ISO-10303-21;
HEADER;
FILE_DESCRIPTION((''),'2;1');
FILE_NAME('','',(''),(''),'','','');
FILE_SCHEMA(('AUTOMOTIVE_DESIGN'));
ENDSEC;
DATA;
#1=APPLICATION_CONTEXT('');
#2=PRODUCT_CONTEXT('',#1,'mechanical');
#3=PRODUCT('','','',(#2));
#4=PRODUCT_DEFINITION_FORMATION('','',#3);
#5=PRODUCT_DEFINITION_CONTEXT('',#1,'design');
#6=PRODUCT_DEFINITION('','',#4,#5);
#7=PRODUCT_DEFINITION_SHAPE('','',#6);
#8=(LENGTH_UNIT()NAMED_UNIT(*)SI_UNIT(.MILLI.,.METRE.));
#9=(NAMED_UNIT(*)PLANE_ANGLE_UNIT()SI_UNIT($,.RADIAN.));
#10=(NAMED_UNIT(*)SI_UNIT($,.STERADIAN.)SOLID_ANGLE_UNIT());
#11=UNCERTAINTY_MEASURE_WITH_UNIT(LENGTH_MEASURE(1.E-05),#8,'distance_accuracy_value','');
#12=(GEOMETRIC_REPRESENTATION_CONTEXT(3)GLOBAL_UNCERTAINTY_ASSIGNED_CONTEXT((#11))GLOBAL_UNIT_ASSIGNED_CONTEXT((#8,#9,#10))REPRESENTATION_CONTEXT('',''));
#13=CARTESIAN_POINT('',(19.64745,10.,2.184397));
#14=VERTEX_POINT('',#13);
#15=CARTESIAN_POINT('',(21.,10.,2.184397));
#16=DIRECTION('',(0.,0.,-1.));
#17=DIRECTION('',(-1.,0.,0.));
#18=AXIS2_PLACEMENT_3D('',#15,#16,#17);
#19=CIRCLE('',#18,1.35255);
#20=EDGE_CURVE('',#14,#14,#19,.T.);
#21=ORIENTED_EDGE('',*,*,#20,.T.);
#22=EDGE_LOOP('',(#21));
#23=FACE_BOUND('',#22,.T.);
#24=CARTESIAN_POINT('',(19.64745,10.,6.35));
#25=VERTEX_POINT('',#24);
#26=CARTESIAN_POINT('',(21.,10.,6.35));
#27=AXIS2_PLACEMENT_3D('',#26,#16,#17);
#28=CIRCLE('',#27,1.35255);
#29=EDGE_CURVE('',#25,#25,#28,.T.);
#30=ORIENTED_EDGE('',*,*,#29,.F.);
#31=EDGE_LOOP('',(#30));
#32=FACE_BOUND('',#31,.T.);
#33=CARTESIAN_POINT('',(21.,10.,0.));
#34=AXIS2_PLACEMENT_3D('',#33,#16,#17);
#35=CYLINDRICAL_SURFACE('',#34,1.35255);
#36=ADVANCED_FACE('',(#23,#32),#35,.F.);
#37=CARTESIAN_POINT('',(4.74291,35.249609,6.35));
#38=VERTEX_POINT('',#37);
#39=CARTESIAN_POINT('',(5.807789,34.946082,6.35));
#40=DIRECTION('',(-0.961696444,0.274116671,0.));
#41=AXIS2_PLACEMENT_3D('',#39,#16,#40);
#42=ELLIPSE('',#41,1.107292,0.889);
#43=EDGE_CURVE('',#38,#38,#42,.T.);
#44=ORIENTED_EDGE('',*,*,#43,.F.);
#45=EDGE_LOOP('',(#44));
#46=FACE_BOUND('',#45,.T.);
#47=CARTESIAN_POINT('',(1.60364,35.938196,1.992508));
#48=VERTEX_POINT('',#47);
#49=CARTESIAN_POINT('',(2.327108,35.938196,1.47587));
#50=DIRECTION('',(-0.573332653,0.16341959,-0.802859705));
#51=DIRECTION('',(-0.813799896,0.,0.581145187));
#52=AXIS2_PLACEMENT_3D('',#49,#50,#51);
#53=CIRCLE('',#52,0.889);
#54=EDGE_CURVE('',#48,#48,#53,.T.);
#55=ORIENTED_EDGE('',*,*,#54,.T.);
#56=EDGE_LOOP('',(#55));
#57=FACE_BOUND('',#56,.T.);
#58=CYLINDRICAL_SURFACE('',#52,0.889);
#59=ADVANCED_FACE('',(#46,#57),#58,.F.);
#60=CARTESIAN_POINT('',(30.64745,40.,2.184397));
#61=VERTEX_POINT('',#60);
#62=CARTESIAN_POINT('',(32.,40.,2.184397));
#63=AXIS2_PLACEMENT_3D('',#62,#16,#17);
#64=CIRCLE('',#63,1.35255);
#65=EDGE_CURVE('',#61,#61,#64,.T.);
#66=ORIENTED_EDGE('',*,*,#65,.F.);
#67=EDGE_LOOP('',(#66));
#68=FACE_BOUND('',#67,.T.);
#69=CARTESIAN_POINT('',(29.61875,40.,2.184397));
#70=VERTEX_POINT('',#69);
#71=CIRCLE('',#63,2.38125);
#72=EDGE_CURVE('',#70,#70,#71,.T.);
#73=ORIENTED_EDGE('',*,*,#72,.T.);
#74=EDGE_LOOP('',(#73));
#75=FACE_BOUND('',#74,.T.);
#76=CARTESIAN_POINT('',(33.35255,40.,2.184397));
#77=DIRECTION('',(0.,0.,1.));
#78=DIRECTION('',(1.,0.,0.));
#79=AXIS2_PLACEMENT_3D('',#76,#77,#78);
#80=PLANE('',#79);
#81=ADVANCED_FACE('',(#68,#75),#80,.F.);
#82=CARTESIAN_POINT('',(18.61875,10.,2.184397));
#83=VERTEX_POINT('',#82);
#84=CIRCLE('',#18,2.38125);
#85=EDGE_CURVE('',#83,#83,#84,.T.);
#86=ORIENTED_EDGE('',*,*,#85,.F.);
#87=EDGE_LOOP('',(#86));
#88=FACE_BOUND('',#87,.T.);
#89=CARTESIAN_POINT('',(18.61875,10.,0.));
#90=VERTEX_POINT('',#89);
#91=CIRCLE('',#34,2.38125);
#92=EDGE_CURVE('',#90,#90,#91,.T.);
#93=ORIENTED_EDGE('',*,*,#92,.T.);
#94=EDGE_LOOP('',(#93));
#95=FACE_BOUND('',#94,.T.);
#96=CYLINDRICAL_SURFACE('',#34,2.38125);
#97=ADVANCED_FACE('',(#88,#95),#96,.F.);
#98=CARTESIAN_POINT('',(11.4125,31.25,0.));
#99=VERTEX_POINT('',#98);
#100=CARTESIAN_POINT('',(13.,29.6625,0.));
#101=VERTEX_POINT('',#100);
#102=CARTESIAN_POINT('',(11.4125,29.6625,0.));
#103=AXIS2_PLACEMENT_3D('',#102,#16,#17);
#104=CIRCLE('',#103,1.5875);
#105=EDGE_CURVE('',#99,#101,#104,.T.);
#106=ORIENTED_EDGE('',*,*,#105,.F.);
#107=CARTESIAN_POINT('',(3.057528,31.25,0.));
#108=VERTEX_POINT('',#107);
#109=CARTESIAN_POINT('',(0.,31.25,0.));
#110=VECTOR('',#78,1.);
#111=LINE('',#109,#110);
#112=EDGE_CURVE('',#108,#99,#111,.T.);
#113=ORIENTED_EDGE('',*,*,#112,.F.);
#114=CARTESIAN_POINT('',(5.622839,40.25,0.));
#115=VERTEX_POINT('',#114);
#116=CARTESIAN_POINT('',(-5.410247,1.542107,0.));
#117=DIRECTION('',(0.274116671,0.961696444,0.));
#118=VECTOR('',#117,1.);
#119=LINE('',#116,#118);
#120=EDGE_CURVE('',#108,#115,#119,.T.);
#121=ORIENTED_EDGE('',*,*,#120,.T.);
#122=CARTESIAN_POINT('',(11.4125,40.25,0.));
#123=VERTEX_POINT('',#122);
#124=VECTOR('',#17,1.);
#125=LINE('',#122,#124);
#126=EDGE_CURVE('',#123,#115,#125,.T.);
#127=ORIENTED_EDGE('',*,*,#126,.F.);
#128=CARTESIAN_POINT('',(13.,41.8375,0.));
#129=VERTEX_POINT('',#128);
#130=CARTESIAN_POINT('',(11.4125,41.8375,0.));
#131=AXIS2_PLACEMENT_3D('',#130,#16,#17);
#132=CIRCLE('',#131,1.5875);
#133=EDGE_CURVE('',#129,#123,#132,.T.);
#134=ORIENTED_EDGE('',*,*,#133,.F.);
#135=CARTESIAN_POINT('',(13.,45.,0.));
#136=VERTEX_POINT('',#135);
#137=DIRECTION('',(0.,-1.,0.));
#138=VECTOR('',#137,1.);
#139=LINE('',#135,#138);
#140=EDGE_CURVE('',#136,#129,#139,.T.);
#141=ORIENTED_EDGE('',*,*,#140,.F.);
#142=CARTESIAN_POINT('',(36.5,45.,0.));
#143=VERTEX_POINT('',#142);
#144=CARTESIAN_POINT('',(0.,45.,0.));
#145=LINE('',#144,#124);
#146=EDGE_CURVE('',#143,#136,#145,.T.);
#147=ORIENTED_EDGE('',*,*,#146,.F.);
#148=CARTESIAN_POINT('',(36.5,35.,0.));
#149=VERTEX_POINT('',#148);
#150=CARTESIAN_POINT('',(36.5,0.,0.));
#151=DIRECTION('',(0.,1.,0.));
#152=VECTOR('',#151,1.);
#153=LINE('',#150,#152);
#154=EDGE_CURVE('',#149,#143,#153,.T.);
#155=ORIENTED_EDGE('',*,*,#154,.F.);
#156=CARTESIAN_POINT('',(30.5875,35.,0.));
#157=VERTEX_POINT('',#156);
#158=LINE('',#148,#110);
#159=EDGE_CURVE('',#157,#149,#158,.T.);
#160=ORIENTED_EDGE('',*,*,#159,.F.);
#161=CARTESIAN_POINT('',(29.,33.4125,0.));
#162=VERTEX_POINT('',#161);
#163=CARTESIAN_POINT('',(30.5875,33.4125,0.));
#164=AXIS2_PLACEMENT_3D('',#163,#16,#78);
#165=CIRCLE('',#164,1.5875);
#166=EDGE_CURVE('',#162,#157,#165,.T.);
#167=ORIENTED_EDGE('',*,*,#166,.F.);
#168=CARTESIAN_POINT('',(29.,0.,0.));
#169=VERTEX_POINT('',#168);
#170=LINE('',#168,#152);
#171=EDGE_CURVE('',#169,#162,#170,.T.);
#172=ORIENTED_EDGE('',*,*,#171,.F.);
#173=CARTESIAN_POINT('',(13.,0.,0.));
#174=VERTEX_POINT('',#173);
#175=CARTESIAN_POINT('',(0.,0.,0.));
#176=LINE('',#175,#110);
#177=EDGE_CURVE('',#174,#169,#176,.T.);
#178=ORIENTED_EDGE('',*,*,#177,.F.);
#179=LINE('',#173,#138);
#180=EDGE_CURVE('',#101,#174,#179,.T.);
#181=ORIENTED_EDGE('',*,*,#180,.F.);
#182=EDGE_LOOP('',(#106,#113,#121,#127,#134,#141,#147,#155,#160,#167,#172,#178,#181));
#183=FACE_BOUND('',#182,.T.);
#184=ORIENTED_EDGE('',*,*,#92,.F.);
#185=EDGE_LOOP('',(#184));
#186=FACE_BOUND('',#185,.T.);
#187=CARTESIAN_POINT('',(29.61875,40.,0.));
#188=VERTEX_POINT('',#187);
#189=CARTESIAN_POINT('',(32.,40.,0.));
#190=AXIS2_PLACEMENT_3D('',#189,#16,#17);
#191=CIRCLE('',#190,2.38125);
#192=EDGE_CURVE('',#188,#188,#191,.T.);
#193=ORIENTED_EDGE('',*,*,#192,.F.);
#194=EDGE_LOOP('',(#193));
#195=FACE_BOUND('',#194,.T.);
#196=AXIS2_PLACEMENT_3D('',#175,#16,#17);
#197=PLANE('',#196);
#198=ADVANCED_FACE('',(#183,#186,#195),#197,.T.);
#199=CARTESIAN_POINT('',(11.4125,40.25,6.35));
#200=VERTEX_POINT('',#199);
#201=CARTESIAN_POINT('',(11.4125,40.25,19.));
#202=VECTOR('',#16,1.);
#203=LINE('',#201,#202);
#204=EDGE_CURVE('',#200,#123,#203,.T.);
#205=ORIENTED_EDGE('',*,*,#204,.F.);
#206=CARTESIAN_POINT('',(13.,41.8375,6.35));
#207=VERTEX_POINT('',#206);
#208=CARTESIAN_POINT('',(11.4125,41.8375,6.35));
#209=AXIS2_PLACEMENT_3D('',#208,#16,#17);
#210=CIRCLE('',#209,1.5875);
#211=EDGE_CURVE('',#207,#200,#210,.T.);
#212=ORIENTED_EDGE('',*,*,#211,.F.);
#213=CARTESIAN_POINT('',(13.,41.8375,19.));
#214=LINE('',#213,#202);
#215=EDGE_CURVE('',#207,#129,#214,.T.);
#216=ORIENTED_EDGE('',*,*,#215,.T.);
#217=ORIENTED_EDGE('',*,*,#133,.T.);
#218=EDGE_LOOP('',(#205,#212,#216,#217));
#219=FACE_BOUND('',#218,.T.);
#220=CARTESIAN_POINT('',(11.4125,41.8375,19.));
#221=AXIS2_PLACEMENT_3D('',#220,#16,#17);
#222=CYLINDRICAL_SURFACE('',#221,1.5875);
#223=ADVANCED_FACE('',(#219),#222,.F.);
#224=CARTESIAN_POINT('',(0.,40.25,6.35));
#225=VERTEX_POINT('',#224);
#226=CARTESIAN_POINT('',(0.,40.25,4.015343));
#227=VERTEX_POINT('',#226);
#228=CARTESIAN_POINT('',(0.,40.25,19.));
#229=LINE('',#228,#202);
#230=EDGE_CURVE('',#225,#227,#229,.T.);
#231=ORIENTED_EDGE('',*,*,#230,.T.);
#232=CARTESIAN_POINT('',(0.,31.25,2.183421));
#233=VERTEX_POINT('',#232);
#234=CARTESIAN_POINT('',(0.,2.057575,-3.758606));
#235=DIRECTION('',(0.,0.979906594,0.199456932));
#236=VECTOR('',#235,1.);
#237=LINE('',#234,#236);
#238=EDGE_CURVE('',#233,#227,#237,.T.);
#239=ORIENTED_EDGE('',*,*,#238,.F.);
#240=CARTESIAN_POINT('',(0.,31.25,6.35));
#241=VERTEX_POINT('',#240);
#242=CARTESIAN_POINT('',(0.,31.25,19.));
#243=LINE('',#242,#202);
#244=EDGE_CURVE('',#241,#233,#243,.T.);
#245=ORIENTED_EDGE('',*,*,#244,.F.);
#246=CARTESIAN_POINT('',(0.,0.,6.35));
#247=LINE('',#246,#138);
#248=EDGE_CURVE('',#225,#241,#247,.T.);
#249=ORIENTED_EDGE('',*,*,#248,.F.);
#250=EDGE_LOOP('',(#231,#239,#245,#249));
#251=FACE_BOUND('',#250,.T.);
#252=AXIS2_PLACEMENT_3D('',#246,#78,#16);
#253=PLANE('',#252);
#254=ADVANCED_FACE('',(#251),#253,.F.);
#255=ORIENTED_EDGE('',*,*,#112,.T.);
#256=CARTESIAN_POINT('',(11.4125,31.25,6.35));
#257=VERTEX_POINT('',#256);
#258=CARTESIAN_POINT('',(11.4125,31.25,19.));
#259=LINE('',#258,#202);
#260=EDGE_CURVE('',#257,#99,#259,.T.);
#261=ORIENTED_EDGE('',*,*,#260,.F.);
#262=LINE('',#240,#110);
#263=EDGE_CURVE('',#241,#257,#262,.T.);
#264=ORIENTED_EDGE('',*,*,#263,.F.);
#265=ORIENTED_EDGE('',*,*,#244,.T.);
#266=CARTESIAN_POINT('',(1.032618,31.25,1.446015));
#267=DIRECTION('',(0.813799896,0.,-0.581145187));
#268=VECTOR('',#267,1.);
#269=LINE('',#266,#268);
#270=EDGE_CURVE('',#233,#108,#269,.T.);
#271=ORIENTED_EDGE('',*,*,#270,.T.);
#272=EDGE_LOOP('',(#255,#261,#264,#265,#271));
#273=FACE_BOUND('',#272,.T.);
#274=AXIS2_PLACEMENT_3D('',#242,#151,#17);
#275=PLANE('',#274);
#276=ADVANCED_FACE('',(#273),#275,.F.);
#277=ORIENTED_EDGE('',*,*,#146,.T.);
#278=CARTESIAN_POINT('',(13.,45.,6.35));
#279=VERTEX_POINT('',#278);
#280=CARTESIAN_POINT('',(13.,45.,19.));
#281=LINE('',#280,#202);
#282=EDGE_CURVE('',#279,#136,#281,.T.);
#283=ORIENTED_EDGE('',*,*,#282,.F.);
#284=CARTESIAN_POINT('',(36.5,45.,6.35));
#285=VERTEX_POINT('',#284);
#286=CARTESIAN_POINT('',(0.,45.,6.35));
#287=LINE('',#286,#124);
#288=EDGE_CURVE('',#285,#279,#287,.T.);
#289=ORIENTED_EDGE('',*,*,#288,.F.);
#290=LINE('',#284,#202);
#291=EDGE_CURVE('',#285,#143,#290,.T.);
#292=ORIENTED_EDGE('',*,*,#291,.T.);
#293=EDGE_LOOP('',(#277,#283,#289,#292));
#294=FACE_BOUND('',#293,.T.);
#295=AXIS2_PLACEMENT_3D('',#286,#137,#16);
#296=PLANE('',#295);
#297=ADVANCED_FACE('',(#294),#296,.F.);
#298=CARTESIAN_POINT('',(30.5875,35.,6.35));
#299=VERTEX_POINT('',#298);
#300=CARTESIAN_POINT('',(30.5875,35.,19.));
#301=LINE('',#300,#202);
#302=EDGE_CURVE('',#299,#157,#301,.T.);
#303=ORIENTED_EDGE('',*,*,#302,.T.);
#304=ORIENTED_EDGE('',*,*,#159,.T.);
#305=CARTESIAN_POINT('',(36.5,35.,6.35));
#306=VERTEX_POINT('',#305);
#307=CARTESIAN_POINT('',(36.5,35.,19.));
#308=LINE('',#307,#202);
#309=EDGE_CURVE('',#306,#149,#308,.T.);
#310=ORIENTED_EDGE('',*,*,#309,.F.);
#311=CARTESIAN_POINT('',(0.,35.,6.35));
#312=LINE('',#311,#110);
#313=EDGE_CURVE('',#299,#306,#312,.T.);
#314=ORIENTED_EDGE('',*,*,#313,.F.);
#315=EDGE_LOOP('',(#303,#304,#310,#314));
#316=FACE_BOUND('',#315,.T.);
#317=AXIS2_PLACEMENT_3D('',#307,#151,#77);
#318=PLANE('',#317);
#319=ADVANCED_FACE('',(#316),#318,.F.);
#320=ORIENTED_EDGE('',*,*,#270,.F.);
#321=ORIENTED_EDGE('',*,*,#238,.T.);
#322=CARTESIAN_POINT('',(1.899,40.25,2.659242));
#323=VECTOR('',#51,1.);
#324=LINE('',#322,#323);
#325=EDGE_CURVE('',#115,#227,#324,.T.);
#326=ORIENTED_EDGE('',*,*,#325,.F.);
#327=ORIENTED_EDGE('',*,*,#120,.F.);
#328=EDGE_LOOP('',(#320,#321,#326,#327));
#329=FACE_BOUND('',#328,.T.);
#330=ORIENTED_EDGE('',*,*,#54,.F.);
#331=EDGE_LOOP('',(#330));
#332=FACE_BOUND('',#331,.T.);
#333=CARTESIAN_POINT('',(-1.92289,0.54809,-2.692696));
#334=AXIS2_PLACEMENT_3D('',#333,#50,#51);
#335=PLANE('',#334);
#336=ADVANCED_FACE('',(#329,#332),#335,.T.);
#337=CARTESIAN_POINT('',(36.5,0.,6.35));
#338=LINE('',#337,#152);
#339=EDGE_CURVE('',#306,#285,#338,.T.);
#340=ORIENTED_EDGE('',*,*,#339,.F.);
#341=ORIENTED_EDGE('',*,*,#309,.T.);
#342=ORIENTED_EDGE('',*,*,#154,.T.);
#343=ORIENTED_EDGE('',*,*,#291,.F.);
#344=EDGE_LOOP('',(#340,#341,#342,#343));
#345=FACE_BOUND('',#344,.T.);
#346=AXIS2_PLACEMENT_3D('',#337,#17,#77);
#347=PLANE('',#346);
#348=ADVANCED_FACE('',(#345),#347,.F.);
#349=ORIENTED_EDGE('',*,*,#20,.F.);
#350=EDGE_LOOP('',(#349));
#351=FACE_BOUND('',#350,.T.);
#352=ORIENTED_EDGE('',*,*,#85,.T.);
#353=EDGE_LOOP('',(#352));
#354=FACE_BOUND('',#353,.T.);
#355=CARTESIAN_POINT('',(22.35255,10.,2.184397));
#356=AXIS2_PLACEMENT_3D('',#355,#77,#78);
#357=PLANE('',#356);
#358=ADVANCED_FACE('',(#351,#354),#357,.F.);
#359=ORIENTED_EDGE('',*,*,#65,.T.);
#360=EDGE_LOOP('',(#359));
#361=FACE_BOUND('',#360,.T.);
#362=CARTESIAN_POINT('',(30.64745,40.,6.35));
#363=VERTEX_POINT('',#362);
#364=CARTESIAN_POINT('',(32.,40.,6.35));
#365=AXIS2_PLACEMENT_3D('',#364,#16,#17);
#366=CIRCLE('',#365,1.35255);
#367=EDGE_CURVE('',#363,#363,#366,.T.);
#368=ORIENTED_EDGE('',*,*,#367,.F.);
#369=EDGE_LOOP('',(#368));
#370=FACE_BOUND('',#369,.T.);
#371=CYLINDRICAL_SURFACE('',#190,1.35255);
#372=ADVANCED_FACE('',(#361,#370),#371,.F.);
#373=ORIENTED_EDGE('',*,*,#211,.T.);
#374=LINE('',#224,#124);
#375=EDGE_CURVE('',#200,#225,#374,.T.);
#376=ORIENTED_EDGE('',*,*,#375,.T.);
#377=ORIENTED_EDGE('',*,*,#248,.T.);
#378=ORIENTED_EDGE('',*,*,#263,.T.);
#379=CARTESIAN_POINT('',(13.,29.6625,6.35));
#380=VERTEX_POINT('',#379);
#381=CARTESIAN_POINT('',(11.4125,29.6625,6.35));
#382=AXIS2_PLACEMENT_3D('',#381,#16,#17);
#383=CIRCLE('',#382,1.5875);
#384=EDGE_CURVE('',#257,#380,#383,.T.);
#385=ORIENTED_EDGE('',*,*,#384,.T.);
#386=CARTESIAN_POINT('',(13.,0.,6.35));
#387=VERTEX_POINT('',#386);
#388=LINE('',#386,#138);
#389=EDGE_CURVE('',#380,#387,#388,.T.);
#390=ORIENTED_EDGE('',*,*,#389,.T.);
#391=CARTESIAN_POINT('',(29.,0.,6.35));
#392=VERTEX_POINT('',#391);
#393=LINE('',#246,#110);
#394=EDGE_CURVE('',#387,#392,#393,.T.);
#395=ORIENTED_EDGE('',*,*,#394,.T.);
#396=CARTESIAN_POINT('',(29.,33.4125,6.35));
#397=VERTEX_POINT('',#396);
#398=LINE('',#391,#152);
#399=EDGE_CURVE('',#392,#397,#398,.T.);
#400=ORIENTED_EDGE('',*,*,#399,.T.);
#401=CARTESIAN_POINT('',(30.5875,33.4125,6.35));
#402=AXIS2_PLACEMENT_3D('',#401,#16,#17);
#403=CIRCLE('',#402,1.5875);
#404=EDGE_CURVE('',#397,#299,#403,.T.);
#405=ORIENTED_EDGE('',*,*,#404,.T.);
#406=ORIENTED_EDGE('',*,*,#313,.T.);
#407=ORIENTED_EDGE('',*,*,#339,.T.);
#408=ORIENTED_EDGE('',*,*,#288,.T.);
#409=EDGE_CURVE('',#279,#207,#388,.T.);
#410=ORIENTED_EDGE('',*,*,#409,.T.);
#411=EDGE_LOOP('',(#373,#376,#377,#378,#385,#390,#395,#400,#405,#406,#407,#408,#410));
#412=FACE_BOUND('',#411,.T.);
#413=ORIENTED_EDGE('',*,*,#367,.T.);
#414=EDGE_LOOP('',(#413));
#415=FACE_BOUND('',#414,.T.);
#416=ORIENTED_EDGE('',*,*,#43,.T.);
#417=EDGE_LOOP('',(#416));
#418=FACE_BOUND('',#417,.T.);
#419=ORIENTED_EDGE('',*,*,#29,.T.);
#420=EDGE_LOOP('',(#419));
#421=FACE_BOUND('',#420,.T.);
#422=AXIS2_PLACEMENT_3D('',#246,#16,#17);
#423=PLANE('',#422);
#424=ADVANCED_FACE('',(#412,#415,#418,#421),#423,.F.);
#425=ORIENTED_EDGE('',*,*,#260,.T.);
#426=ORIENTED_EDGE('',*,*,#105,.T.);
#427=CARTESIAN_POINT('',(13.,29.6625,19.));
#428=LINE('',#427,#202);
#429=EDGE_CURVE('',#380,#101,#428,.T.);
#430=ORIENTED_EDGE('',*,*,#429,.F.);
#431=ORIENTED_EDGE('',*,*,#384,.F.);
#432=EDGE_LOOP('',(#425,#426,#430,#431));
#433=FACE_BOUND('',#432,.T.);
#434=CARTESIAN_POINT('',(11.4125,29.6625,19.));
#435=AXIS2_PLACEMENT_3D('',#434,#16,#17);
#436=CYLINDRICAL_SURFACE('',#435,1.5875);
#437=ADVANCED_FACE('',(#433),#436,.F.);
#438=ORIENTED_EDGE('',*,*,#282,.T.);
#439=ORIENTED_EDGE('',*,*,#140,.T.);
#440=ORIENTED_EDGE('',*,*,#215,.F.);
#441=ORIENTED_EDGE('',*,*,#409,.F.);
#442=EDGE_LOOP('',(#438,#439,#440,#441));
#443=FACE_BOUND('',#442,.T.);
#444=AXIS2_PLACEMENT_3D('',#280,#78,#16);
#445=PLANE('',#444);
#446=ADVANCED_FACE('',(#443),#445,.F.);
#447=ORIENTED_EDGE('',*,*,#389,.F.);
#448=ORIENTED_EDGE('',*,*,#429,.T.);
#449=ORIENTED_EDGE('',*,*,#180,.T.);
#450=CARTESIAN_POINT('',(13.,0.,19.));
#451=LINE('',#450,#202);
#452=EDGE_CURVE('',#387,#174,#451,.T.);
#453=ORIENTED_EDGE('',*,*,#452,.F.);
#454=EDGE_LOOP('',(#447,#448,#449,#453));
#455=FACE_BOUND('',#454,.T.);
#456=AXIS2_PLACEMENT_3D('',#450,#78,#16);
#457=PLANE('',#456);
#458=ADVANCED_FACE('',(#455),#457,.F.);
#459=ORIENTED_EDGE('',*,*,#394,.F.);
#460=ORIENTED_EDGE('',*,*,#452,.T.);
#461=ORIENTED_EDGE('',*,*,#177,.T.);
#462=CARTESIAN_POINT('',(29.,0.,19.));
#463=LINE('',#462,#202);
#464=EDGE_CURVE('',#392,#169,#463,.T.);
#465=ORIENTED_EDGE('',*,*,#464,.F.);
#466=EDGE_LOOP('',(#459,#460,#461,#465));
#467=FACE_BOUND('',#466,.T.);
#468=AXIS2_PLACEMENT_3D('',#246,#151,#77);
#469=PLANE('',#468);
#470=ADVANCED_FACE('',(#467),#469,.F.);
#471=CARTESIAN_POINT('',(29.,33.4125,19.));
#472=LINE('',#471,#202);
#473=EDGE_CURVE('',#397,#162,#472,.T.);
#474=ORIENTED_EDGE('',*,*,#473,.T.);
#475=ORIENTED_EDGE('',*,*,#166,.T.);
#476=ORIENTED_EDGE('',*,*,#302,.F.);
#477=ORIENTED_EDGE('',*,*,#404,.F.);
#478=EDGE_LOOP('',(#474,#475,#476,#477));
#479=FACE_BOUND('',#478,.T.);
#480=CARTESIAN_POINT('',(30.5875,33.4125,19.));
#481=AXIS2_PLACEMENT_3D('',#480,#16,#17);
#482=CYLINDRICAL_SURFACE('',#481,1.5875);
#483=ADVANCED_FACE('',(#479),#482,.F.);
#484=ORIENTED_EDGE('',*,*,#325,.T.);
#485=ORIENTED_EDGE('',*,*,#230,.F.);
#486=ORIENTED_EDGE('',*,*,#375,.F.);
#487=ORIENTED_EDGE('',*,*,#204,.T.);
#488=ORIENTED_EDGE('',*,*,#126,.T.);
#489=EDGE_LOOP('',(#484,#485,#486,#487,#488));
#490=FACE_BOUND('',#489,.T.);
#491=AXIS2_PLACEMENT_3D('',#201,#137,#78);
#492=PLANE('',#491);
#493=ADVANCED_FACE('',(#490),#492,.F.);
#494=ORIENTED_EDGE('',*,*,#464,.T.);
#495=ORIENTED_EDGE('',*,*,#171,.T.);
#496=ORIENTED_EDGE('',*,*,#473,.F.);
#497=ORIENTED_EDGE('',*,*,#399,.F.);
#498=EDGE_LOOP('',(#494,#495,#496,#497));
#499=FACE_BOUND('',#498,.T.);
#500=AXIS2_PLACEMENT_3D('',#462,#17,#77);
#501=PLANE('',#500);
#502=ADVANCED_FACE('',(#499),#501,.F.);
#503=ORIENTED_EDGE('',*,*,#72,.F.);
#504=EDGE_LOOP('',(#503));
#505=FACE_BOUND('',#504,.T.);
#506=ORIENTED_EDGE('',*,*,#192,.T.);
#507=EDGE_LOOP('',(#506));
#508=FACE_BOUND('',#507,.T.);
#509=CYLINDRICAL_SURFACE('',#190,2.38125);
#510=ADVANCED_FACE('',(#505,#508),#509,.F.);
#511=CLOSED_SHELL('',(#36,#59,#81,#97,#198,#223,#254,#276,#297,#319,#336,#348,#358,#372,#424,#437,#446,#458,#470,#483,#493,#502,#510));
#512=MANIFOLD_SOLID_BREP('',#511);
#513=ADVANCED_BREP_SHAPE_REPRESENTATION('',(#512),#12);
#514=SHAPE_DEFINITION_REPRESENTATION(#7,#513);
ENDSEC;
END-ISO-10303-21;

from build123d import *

# Parameters (mm, degrees)
SKETCH1_W                                      = 36.5
SKETCH1_H                                      = 45
BOSS_EXTRUDE1_DEPTH                            = 6.35
SKETCH4_W                                      = 50
SKETCH4_H                                      = 50
CUT_EXTRUDE1_DEPTH                             = 4
CUT_EXTRUDE2_DEPTH                             = 19
F_2_56_TAPPED_HOLE1_D                          = 1.778
CBORE_FOR_2_SOCKET_HEAD_CAP_SCREW1_D           = 2.7051
CBORE_FOR_2_SOCKET_HEAD_CAP_SCREW1_CBORE_D     = 4.7625
CBORE_FOR_2_SOCKET_HEAD_CAP_SCREW1_CBORE_DEPTH = 2.18439746


with BuildPart() as part:
    # Sketch1 → Boss-Extrude1 (new body)
    with BuildSketch(Plane.XY):
        with Locations((18.25, 22.5)):
            Rectangle(SKETCH1_W, SKETCH1_H)
    extrude(amount=BOSS_EXTRUDE1_DEPTH)

    # Sketch4 → Cut-Extrude1 (cut)
    with BuildSketch(Plane(origin=(-4.216220414, 1.201768304, -5.904135163), x_dir=(-0.816779309, -0.191151006, 0.544364633), z_dir=(-0.573332653, 0.16341959, -0.802859705))):
        with Locations((-8.601795261, 43.553754656)):
            Rectangle(SKETCH4_W, SKETCH4_H)
    extrude(amount=-CUT_EXTRUDE1_DEPTH, mode=Mode.SUBTRACT)

    # Sketch7 → Cut-Extrude2 (cut)
    with BuildSketch(Plane(origin=(0, 0, 0), x_dir=(-1, 0, 0), z_dir=(0, 0, -1))):
        with BuildLine():
            Line((0, 0), (-13, 0))
            Line((-13, 0), (-13, 29.6625))
            ThreePointArc((-13, 29.6625), (-12.535032015, 30.785032015), (-11.4125, 31.25))
            Line((-11.4125, 31.25), (0, 31.25))
            Line((0, 31.25), (0, 0))
        make_face()
        with BuildLine():
            Line((-36.5, 0), (-29, 0))
            Line((-29, 0), (-29, 33.4125))
            ThreePointArc((-29, 33.4125), (-29.464967985, 34.535032015), (-30.5875, 35))
            Line((-30.5875, 35), (-36.5, 35))
            Line((-36.5, 35), (-36.5, 0))
        make_face()
        with BuildLine():
            Line((-13, 45), (-13, 41.8375))
            ThreePointArc((-13, 41.8375), (-12.535032015, 40.714967985), (-11.4125, 40.25))
            Line((-11.4125, 40.25), (0, 40.25))
            Line((0, 40.25), (0, 45))
            Line((0, 45), (-13, 45))
        make_face()
    extrude(amount=-CUT_EXTRUDE2_DEPTH, mode=Mode.SUBTRACT)

    # #2-56 Tapped Hole1 (through all)
    with Locations(Plane(origin=(-1.9228898, 0.548089945, -2.692696342), x_dir=(-0.816779309, -0.191151006, 0.544364633), z_dir=(-0.573332653, 0.16341959, -0.802859705))):
        with Locations((-7.966944936, 34.99181106)):
            Hole(F_2_56_TAPPED_HOLE1_D / 2)

    # CBORE for #2 Socket Head Cap Screw1 (through all)
    with Locations(Plane(origin=(0, 0, 0), x_dir=(-1, 0, 0), z_dir=(0, 0, -1))):
        with Locations((-21, 10), (-32, 40)):
            CounterBoreHole(CBORE_FOR_2_SOCKET_HEAD_CAP_SCREW1_D / 2, CBORE_FOR_2_SOCKET_HEAD_CAP_SCREW1_CBORE_D / 2, CBORE_FOR_2_SOCKET_HEAD_CAP_SCREW1_CBORE_DEPTH)


solid = part.part
